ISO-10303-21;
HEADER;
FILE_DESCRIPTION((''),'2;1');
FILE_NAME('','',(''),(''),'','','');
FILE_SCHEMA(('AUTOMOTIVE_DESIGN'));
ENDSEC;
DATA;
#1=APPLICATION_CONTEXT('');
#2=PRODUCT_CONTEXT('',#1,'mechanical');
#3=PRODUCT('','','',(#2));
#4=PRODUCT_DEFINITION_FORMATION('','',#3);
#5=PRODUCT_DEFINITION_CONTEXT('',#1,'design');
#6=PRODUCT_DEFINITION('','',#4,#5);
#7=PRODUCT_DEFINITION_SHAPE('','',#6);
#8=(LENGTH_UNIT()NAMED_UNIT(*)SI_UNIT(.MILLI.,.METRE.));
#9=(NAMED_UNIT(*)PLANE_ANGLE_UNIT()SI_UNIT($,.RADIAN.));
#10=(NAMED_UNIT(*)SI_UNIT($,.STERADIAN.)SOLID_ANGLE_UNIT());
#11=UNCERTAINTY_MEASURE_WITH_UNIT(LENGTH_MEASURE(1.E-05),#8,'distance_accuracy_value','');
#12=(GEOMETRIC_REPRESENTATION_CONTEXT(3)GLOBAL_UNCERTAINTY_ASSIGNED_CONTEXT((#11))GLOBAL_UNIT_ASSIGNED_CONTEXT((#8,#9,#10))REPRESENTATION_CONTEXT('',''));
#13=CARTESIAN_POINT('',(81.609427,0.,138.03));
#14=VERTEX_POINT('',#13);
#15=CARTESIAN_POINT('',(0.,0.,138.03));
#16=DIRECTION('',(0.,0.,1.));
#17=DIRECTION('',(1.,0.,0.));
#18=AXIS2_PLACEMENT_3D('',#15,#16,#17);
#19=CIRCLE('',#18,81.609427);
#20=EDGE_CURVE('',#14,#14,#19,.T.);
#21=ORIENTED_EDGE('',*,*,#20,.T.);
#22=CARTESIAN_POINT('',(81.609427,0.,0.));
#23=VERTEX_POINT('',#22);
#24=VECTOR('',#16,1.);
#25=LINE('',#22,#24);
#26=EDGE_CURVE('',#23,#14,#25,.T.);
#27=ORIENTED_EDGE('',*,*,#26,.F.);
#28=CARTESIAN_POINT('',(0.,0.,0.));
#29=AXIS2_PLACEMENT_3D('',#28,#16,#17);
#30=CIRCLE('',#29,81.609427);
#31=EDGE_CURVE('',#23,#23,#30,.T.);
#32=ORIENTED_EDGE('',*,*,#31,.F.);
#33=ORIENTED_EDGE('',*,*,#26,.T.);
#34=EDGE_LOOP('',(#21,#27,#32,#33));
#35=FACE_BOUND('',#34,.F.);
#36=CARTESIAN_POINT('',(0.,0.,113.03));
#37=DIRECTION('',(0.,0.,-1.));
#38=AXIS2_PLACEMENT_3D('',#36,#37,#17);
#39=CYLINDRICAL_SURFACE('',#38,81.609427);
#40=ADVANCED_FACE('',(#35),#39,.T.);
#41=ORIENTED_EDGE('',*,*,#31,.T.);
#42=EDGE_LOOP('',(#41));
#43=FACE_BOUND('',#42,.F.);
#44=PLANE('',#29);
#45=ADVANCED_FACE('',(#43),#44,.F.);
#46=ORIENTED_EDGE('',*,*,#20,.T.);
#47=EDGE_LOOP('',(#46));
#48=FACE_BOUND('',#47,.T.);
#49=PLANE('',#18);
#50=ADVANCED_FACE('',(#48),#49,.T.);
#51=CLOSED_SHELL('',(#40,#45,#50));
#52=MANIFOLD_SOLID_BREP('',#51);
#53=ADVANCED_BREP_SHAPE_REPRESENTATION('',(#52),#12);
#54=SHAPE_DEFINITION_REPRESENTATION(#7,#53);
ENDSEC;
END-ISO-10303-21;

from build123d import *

# Parameters (mm, degrees)
F0_R      = 81.609427
F1_DEPTH  = 113.03
F1_FACE_R = 81.609427
F2_DEPTH  = 25


with BuildPart() as f1:
    # F0 (on Top) → F1 (new body)
    with BuildSketch(Plane.XY):
        Circle(F0_R)
    extrude(amount=F1_DEPTH)

    # F1_face (on face) → F2 (join)
    with BuildSketch(Plane.XY.offset(113.03)):
        Circle(F1_FACE_R)
    extrude(amount=F2_DEPTH)


solid = f1.part
